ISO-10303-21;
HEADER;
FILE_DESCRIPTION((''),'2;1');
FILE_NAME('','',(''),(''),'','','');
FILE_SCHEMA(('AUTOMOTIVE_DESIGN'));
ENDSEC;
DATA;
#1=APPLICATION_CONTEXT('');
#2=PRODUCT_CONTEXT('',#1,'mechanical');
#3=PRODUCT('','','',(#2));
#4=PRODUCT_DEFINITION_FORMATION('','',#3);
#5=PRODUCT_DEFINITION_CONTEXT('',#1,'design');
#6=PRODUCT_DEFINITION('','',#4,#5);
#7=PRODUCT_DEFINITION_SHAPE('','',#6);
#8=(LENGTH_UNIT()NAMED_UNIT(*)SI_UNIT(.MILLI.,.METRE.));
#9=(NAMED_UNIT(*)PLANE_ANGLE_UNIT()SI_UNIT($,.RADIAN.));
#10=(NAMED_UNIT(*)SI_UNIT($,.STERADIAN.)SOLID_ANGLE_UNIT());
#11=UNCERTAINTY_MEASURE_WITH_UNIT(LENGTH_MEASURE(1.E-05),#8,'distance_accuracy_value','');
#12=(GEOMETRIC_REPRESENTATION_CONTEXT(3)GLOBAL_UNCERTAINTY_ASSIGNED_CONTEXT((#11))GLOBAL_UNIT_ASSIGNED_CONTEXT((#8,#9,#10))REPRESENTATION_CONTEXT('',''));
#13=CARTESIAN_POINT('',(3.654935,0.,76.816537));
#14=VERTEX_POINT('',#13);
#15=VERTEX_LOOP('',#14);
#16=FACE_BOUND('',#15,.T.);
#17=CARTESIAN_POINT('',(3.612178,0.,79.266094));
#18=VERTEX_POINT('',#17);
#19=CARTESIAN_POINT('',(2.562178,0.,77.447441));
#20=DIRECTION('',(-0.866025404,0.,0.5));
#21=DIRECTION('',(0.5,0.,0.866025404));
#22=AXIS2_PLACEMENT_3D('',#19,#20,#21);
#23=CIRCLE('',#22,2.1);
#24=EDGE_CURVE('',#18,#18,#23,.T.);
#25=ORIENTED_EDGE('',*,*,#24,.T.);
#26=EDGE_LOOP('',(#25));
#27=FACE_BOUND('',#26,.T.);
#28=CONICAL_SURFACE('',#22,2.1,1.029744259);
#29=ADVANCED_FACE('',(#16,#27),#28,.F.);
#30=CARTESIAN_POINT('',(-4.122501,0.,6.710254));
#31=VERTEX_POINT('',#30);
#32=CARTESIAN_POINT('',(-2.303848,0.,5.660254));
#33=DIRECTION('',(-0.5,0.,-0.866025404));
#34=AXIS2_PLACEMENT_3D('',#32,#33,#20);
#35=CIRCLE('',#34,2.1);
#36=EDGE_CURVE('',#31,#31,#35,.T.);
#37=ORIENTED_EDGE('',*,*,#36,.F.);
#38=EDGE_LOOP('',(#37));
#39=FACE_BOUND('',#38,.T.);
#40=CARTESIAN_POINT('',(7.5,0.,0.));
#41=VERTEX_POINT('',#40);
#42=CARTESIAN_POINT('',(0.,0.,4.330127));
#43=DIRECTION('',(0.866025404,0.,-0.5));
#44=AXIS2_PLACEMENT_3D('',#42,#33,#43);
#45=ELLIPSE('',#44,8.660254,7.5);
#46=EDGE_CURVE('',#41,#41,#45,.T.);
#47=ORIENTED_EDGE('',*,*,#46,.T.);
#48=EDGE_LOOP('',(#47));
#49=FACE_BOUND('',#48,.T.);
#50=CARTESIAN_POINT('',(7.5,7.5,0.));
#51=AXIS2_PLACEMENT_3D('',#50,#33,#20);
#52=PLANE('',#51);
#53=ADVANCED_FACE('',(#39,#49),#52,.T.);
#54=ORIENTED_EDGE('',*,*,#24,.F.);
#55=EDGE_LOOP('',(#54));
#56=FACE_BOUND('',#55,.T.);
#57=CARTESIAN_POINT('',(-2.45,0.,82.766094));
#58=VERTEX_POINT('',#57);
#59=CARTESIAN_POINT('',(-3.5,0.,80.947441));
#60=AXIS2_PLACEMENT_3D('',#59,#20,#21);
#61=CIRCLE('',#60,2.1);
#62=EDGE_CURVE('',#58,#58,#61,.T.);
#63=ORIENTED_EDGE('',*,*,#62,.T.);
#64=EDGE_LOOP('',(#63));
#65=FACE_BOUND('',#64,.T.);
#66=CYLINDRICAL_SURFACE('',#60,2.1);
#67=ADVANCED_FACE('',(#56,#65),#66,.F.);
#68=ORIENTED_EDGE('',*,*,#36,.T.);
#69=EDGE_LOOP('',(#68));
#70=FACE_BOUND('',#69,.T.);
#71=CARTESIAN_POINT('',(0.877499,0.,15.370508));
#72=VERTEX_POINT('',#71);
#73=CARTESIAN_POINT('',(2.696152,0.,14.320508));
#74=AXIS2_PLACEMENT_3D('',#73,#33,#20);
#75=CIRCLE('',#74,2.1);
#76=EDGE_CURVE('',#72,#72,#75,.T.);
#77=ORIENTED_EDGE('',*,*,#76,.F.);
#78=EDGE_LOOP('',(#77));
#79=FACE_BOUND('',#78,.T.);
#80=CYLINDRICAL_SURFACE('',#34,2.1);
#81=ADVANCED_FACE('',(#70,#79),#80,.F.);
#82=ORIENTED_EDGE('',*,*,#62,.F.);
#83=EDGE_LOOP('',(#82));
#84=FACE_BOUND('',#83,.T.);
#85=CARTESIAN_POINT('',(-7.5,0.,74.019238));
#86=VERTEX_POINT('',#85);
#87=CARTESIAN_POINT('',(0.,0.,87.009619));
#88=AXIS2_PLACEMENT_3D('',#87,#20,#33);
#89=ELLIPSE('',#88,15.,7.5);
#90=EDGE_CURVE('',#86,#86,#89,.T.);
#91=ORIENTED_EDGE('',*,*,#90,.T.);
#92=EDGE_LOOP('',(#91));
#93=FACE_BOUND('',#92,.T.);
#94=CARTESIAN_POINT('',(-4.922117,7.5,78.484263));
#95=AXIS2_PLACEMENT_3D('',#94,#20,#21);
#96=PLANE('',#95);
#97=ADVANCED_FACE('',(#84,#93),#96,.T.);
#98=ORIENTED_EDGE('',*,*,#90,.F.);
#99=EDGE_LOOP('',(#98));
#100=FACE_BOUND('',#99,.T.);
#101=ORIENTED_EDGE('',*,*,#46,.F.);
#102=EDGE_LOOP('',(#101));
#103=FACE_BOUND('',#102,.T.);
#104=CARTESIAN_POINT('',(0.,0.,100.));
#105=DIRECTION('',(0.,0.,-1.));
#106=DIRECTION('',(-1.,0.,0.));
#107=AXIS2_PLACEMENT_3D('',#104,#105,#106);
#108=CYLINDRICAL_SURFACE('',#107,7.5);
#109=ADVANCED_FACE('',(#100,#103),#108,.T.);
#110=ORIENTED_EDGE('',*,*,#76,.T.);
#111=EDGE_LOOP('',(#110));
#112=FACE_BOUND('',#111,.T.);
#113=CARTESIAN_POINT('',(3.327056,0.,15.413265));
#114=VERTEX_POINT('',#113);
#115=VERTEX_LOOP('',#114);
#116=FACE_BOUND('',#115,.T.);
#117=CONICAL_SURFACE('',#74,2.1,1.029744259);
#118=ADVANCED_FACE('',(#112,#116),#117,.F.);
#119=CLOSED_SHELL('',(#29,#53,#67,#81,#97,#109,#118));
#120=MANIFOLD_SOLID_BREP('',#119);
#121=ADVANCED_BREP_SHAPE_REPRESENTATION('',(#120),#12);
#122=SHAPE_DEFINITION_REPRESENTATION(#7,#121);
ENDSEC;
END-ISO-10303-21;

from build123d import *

# Parameters (mm, degrees)
SKETCH1_R                 = 7.5
BOSS_EXTRUDE1_DEPTH       = 100
CUT_EXTRUDE1_DEPTH        = 8.5
CUT_EXTRUDE1_DEPTH_BACK   = 8.5
M5X0_8_TAPPED_HOLE2_D     = 4.2
M5X0_8_TAPPED_HOLE2_DEPTH = 10
M5X0_8_TAPPED_HOLE2_TIP   = 1.2618073
M5X0_8_TAPPED_HOLE3_D     = 4.2
M5X0_8_TAPPED_HOLE3_DEPTH = 7
M5X0_8_TAPPED_HOLE3_TIP   = 1.2618073


with BuildPart() as part:
    # Sketch1 → Boss-Extrude1 (new body)
    with BuildSketch(Plane.XY):
        Circle(SKETCH1_R)
    extrude(amount=BOSS_EXTRUDE1_DEPTH)

    # Sketch5 → Cut-Extrude1 (cut, two sides)
    with BuildSketch(Plane(origin=(0, 0, 0), x_dir=(1, 0, 0), z_dir=(0, 1, 0))) as cut_extrude1_sk:
        Polygon((7.5, 0), (-7.5, -8.660254038), (-7.5, 0), align=None)
        Polygon((7.5, -100), (-4.922116598, -78.484262915), (-7.5, -74.019237886), (-7.5, -100), align=None)
    extrude(amount=CUT_EXTRUDE1_DEPTH, mode=Mode.SUBTRACT)
    extrude(cut_extrude1_sk.sketch, amount=-CUT_EXTRUDE1_DEPTH_BACK, mode=Mode.SUBTRACT)

    # M5x0.8 Tapped Hole2
    with Locations(Plane(origin=(1.875, 0, 3.247595264), x_dir=(-0.866025404, 0, 0.5), z_dir=(-0.5, 0, -0.866025404))):
        with Locations((4.825317547, 0)):
            Hole(M5X0_8_TAPPED_HOLE2_D / 2, depth=M5X0_8_TAPPED_HOLE2_DEPTH)
            with Locations((0, 0, -(M5X0_8_TAPPED_HOLE2_DEPTH + M5X0_8_TAPPED_HOLE2_TIP / 2))):  # 118° drill point
                Cone(0, M5X0_8_TAPPED_HOLE2_D / 2, M5X0_8_TAPPED_HOLE2_TIP, mode=Mode.SUBTRACT)

    # M5x0.8 Tapped Hole3
    with Locations(Plane(origin=(-37.676270189, 0, 21.752404736), x_dir=(0.5, 0, 0.866025404), z_dir=(-0.866025404, 0, 0.5))):
        with Locations((68.352540378, 0)):
            Hole(M5X0_8_TAPPED_HOLE3_D / 2, depth=M5X0_8_TAPPED_HOLE3_DEPTH)
            with Locations((0, 0, -(M5X0_8_TAPPED_HOLE3_DEPTH + M5X0_8_TAPPED_HOLE3_TIP / 2))):  # 118° drill point
                Cone(0, M5X0_8_TAPPED_HOLE3_D / 2, M5X0_8_TAPPED_HOLE3_TIP, mode=Mode.SUBTRACT)


solid = part.part
